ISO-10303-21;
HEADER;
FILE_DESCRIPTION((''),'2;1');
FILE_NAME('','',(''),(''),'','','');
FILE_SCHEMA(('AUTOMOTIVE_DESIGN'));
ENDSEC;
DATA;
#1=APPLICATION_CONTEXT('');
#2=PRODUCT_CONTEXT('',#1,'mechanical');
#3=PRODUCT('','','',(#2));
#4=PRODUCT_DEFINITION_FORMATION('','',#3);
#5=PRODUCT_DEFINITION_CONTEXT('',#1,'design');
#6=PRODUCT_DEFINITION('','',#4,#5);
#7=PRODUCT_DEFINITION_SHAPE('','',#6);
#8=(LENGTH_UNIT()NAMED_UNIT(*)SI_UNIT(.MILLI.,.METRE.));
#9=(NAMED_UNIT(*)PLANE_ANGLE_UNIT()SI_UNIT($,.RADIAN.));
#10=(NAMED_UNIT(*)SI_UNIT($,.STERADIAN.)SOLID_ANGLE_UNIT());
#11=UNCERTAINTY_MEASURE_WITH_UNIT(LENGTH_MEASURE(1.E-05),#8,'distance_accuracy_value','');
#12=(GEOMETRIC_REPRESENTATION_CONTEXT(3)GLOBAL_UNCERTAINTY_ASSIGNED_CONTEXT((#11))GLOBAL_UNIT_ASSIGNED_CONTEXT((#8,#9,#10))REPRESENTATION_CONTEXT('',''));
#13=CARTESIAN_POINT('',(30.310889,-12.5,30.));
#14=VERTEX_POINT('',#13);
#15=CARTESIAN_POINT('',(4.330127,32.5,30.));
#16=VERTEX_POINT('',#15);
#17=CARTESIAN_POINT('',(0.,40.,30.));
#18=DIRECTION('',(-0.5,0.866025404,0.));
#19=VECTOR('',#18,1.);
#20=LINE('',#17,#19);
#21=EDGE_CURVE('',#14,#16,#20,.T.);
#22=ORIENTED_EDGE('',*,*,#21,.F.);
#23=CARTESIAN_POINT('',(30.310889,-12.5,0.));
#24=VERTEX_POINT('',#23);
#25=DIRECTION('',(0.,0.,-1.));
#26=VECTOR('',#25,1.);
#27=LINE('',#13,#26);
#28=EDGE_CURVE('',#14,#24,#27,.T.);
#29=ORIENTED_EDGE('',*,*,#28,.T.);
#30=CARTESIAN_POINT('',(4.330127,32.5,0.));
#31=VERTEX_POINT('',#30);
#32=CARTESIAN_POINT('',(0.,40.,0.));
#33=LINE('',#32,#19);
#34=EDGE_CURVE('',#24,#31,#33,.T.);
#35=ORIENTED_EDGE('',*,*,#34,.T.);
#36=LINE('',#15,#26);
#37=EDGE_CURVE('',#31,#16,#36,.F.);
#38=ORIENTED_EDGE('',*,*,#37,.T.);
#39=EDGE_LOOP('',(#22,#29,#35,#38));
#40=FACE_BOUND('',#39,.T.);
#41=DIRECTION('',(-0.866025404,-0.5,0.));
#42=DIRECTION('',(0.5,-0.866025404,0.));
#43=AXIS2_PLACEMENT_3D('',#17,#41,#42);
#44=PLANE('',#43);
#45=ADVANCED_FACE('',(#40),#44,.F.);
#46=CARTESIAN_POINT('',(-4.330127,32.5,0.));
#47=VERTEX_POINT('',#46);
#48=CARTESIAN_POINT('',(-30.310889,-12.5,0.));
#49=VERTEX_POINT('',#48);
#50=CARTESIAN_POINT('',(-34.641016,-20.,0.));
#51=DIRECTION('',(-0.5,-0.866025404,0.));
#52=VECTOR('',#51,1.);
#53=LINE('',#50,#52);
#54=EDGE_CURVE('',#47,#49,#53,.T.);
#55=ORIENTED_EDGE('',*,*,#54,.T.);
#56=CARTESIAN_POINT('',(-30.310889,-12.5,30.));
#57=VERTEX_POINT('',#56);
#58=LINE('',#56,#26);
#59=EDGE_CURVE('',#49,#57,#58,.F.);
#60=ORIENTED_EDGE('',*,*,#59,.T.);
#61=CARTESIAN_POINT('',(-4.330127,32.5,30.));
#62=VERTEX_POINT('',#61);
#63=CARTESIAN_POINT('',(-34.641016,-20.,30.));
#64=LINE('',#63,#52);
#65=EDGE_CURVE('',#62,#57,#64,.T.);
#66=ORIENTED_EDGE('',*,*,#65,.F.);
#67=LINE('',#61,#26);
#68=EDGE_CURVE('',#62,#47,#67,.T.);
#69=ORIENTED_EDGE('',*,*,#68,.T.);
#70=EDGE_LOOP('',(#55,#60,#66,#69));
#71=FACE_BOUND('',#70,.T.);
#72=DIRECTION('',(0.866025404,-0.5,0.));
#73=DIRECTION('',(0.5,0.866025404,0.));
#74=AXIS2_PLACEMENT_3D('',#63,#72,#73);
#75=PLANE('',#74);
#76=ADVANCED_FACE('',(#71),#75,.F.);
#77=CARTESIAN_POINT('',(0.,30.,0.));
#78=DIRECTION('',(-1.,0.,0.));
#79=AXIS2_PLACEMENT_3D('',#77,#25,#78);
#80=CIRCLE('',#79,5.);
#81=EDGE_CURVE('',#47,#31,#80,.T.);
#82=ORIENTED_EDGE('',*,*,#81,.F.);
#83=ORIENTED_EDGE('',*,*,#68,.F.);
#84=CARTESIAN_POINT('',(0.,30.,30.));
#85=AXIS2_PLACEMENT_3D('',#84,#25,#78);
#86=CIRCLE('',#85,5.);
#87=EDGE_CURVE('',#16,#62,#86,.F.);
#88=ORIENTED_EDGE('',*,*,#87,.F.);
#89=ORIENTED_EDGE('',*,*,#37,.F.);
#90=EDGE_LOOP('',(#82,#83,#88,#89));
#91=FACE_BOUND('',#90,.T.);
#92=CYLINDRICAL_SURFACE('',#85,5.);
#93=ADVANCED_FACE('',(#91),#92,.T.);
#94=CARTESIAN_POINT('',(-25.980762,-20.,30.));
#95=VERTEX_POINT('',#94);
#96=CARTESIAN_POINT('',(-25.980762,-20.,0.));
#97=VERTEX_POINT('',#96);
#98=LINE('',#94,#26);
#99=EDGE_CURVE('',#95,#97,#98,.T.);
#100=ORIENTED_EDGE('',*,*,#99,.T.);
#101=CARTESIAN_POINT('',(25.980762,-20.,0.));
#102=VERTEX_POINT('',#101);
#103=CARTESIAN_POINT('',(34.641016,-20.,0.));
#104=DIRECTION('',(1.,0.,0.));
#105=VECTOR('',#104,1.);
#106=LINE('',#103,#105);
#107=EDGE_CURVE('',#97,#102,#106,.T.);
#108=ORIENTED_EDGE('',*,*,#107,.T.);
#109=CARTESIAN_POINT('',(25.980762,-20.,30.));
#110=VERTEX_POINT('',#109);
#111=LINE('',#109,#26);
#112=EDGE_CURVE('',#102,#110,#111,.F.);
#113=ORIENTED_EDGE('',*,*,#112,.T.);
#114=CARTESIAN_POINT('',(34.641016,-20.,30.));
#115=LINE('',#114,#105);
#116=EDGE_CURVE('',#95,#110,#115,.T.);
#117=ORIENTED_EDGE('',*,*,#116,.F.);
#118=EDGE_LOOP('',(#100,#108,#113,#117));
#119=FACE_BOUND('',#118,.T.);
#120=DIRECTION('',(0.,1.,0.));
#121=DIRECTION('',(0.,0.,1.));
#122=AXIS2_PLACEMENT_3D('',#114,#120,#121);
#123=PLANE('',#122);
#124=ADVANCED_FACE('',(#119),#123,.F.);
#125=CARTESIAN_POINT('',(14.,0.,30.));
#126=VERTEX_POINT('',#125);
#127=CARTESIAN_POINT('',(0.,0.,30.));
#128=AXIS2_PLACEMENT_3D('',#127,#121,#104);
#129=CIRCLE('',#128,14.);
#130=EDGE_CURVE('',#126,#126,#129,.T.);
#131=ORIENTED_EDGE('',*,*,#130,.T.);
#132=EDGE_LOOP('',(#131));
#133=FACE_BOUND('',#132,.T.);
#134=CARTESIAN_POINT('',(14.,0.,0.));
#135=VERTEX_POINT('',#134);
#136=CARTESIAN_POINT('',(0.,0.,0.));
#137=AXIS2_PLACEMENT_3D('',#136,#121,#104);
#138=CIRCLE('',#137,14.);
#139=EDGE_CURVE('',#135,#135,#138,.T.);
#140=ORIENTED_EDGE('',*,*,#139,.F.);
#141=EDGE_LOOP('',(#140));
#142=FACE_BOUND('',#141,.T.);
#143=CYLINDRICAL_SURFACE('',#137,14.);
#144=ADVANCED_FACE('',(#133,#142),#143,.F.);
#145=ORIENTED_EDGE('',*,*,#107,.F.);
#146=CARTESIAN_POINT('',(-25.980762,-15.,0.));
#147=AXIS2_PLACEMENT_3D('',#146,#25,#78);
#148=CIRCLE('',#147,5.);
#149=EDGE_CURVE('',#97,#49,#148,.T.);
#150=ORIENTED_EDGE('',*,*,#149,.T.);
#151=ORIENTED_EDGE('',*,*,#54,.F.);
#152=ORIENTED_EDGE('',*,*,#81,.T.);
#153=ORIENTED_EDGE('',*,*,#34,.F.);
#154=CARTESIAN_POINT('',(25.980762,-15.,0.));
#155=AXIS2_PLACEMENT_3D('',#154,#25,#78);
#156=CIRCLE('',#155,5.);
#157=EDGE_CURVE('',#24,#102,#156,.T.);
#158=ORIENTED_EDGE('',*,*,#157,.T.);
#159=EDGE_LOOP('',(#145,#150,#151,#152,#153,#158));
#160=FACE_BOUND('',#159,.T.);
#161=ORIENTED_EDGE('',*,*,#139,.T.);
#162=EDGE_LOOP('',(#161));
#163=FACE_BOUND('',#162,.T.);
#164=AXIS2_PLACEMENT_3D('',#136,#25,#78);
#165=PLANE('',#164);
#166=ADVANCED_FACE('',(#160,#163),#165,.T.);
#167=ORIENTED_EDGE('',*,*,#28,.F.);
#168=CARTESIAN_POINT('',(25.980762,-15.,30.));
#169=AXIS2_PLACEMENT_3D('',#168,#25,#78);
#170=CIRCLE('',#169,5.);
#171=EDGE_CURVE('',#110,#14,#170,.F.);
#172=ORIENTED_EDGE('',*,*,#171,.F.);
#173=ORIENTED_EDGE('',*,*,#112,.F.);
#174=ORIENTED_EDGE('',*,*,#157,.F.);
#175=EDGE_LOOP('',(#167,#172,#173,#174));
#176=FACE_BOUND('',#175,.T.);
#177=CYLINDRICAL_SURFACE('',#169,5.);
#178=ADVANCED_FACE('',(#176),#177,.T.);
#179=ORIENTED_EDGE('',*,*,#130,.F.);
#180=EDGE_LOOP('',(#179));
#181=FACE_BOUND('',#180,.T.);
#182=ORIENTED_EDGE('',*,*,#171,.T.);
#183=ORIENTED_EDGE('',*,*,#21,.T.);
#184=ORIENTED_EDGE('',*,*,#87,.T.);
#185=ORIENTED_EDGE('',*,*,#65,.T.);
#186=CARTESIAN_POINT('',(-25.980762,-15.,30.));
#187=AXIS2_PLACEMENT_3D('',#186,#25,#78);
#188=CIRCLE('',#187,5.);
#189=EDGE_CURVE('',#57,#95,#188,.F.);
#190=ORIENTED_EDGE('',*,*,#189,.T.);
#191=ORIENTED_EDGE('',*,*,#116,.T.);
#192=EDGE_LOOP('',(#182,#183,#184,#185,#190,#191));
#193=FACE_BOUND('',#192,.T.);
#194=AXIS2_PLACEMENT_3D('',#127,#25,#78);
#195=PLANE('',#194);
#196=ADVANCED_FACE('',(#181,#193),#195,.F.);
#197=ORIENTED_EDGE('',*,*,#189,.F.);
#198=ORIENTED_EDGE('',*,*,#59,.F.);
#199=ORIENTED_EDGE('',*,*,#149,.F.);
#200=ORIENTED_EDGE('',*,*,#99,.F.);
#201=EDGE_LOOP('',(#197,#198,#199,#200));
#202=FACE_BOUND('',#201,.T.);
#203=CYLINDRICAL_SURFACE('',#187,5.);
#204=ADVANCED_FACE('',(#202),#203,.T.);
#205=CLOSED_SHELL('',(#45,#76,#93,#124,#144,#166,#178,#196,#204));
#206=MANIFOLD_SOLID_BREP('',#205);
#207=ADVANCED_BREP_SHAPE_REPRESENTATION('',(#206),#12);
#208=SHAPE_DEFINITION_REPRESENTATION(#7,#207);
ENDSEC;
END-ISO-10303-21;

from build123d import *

# Parameters (mm, degrees)
BOSS_EXTRUDE1_DEPTH = 30
FILLET1_R           = 5
SKETCH2_R           = 14
CUT_EXTRUDE1_DEPTH  = 56.541044473


with BuildPart() as part:
    # Sketch1 → Boss-Extrude1 (new body)
    with BuildSketch(Plane.XY):
        Polygon((0, 40), (34.641016151, -20), (-34.641016151, -20), align=None)
    extrude(amount=BOSS_EXTRUDE1_DEPTH)

    # Fillet1
    fillet1_edges = [part.edges().sort_by_distance(p)[0] for p in [
        (0, 40, 15),
        (34.641016151, -20, 15),
        (-34.641016151, -20, 15),
    ]]
    fillet(fillet1_edges, radius=FILLET1_R)

    # Sketch2 → Cut-Extrude1 (cut, through all)
    with BuildSketch(Plane.XY.offset(30)):
        Circle(SKETCH2_R)
    extrude(amount=-CUT_EXTRUDE1_DEPTH, mode=Mode.SUBTRACT)


solid = part.part
